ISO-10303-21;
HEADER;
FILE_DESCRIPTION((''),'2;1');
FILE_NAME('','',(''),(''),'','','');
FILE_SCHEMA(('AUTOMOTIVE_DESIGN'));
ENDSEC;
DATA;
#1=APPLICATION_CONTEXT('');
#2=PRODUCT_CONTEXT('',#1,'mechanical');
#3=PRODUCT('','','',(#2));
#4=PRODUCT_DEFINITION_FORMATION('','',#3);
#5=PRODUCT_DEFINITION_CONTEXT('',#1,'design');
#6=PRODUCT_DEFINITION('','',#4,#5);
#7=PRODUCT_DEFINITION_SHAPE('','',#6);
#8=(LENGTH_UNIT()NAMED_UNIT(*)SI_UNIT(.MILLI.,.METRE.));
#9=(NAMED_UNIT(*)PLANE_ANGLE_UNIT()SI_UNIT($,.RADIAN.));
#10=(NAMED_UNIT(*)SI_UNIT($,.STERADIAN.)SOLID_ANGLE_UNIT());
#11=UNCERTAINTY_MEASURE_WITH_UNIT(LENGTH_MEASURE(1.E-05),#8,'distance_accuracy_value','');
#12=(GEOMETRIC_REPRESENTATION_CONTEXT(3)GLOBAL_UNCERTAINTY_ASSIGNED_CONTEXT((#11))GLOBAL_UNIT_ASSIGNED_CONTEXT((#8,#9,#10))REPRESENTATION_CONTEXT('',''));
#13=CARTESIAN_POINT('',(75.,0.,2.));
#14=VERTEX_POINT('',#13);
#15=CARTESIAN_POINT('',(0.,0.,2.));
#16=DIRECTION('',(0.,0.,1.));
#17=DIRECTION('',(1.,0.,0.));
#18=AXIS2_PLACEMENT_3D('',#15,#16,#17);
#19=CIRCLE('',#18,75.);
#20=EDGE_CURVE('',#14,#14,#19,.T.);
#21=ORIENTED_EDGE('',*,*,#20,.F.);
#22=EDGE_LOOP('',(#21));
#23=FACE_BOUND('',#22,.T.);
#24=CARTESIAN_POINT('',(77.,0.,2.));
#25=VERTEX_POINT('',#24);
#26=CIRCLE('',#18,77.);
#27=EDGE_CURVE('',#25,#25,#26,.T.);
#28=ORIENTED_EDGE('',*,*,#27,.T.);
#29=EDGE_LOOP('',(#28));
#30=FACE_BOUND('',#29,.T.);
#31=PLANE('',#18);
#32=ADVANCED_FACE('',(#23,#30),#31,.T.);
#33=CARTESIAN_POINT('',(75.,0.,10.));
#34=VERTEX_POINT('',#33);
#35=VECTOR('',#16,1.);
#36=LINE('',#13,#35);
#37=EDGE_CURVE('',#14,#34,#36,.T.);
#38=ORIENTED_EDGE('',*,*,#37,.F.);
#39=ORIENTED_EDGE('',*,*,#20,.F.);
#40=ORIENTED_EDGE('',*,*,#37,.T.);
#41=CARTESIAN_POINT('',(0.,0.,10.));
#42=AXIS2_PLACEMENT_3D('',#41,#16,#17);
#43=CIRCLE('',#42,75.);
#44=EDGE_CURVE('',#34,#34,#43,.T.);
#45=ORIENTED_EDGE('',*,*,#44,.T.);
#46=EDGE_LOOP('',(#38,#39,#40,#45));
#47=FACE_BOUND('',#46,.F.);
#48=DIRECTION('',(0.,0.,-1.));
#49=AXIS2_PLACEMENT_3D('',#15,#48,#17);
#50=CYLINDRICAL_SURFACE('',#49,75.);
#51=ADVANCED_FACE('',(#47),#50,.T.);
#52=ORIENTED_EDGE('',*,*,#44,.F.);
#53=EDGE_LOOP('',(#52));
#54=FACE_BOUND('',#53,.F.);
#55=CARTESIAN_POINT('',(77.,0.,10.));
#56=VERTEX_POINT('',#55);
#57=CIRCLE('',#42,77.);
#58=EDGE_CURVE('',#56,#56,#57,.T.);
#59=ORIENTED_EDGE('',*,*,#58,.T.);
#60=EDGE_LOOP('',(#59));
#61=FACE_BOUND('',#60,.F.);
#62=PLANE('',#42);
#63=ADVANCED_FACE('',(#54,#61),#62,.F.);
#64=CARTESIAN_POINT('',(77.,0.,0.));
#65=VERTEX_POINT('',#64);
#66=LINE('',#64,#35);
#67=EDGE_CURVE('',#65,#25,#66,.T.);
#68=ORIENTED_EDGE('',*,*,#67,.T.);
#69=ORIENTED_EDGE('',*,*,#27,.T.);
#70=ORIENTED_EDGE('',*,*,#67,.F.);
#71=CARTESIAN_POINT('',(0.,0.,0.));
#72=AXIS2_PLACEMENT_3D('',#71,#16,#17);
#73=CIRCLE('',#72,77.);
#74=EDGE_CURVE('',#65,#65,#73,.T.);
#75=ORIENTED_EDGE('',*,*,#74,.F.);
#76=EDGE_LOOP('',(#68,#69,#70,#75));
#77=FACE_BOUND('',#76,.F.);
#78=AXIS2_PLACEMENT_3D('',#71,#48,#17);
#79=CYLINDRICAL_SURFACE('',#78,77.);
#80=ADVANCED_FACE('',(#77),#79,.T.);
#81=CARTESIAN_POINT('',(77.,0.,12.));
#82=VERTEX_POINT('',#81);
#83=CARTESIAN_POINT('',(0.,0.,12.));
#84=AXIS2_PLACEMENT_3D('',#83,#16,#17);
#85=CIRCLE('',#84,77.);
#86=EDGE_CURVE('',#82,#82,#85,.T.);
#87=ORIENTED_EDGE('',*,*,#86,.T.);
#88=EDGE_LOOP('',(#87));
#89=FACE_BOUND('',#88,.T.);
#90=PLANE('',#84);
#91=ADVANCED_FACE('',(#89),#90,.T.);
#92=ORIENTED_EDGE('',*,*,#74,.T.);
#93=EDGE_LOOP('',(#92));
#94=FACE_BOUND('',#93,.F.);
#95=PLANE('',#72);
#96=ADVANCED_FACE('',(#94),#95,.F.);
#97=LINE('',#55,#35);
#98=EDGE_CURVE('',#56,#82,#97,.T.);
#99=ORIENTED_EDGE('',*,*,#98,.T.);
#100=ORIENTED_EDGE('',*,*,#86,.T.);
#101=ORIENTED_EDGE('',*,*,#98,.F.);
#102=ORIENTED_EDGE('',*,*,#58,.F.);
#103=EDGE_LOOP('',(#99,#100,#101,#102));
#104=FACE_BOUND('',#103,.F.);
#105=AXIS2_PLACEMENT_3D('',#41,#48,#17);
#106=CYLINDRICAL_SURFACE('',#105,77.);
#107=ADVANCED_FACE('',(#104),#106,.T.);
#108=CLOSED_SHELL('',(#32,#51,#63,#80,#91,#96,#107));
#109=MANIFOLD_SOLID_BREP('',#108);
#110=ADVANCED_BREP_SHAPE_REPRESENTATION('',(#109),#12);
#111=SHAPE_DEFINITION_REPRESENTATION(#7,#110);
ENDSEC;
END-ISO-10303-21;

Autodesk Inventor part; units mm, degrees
ref_plane "YZ Plane" through (0, 0, 0) normal (1, 0, 0) x (0, 1, 0)
ref_plane "XZ Plane" through (0, 0, 0) normal (0, 1, 0) x (-1, 0, 0)
ref_plane "XY Plane" through (0, 0, 0) normal (0, 0, 1) x (1, 0, 0)
sketch "Sketch1" plane through (0, 0, 0) normal (0, 0, 1) x (1, 0, 0)
  circle A0 centre (0, 0) radius 77
  dimension "d0" = 154
extrude "Extrusion1" add sketch "Sketch1" along normal blind 2
sketch "Sketch2" plane through (0, 0, 2) normal (0, 0, 1) x (1, 0, 0)
  circle A0 centre (0, 0) radius 77 projected
  circle A1 centre (0, 0) radius 75
  dimension "d4" = 150
extrude "Extrusion2" add sketch "Sketch2" along normal blind 8 contours A1
sketch "Sketch3" plane through (0, 0, 10) normal (0, 0, 1) x (1, 0, 0)
  circle A0 centre (0, 0) radius 77 projected
extrude "Extrusion3" add sketch "Sketch3" along normal blind 2
sketch "Sketch4" plane through (0, 0, 0) normal (0, 0, -1) x (-1, 0, 0)
  circle A0 centre (0, 0) radius 77 projected
  line L0 (75.9786, 12.5) -> (0, 12.5)
  arc A1 (0, 12.5) -> (0, -12.5) centre (0, 0) ccw
  line L1 (0, -12.5) -> (75.9786, -12.5)
  dimension "d10" = 12.5
properties part number "pulley template"
